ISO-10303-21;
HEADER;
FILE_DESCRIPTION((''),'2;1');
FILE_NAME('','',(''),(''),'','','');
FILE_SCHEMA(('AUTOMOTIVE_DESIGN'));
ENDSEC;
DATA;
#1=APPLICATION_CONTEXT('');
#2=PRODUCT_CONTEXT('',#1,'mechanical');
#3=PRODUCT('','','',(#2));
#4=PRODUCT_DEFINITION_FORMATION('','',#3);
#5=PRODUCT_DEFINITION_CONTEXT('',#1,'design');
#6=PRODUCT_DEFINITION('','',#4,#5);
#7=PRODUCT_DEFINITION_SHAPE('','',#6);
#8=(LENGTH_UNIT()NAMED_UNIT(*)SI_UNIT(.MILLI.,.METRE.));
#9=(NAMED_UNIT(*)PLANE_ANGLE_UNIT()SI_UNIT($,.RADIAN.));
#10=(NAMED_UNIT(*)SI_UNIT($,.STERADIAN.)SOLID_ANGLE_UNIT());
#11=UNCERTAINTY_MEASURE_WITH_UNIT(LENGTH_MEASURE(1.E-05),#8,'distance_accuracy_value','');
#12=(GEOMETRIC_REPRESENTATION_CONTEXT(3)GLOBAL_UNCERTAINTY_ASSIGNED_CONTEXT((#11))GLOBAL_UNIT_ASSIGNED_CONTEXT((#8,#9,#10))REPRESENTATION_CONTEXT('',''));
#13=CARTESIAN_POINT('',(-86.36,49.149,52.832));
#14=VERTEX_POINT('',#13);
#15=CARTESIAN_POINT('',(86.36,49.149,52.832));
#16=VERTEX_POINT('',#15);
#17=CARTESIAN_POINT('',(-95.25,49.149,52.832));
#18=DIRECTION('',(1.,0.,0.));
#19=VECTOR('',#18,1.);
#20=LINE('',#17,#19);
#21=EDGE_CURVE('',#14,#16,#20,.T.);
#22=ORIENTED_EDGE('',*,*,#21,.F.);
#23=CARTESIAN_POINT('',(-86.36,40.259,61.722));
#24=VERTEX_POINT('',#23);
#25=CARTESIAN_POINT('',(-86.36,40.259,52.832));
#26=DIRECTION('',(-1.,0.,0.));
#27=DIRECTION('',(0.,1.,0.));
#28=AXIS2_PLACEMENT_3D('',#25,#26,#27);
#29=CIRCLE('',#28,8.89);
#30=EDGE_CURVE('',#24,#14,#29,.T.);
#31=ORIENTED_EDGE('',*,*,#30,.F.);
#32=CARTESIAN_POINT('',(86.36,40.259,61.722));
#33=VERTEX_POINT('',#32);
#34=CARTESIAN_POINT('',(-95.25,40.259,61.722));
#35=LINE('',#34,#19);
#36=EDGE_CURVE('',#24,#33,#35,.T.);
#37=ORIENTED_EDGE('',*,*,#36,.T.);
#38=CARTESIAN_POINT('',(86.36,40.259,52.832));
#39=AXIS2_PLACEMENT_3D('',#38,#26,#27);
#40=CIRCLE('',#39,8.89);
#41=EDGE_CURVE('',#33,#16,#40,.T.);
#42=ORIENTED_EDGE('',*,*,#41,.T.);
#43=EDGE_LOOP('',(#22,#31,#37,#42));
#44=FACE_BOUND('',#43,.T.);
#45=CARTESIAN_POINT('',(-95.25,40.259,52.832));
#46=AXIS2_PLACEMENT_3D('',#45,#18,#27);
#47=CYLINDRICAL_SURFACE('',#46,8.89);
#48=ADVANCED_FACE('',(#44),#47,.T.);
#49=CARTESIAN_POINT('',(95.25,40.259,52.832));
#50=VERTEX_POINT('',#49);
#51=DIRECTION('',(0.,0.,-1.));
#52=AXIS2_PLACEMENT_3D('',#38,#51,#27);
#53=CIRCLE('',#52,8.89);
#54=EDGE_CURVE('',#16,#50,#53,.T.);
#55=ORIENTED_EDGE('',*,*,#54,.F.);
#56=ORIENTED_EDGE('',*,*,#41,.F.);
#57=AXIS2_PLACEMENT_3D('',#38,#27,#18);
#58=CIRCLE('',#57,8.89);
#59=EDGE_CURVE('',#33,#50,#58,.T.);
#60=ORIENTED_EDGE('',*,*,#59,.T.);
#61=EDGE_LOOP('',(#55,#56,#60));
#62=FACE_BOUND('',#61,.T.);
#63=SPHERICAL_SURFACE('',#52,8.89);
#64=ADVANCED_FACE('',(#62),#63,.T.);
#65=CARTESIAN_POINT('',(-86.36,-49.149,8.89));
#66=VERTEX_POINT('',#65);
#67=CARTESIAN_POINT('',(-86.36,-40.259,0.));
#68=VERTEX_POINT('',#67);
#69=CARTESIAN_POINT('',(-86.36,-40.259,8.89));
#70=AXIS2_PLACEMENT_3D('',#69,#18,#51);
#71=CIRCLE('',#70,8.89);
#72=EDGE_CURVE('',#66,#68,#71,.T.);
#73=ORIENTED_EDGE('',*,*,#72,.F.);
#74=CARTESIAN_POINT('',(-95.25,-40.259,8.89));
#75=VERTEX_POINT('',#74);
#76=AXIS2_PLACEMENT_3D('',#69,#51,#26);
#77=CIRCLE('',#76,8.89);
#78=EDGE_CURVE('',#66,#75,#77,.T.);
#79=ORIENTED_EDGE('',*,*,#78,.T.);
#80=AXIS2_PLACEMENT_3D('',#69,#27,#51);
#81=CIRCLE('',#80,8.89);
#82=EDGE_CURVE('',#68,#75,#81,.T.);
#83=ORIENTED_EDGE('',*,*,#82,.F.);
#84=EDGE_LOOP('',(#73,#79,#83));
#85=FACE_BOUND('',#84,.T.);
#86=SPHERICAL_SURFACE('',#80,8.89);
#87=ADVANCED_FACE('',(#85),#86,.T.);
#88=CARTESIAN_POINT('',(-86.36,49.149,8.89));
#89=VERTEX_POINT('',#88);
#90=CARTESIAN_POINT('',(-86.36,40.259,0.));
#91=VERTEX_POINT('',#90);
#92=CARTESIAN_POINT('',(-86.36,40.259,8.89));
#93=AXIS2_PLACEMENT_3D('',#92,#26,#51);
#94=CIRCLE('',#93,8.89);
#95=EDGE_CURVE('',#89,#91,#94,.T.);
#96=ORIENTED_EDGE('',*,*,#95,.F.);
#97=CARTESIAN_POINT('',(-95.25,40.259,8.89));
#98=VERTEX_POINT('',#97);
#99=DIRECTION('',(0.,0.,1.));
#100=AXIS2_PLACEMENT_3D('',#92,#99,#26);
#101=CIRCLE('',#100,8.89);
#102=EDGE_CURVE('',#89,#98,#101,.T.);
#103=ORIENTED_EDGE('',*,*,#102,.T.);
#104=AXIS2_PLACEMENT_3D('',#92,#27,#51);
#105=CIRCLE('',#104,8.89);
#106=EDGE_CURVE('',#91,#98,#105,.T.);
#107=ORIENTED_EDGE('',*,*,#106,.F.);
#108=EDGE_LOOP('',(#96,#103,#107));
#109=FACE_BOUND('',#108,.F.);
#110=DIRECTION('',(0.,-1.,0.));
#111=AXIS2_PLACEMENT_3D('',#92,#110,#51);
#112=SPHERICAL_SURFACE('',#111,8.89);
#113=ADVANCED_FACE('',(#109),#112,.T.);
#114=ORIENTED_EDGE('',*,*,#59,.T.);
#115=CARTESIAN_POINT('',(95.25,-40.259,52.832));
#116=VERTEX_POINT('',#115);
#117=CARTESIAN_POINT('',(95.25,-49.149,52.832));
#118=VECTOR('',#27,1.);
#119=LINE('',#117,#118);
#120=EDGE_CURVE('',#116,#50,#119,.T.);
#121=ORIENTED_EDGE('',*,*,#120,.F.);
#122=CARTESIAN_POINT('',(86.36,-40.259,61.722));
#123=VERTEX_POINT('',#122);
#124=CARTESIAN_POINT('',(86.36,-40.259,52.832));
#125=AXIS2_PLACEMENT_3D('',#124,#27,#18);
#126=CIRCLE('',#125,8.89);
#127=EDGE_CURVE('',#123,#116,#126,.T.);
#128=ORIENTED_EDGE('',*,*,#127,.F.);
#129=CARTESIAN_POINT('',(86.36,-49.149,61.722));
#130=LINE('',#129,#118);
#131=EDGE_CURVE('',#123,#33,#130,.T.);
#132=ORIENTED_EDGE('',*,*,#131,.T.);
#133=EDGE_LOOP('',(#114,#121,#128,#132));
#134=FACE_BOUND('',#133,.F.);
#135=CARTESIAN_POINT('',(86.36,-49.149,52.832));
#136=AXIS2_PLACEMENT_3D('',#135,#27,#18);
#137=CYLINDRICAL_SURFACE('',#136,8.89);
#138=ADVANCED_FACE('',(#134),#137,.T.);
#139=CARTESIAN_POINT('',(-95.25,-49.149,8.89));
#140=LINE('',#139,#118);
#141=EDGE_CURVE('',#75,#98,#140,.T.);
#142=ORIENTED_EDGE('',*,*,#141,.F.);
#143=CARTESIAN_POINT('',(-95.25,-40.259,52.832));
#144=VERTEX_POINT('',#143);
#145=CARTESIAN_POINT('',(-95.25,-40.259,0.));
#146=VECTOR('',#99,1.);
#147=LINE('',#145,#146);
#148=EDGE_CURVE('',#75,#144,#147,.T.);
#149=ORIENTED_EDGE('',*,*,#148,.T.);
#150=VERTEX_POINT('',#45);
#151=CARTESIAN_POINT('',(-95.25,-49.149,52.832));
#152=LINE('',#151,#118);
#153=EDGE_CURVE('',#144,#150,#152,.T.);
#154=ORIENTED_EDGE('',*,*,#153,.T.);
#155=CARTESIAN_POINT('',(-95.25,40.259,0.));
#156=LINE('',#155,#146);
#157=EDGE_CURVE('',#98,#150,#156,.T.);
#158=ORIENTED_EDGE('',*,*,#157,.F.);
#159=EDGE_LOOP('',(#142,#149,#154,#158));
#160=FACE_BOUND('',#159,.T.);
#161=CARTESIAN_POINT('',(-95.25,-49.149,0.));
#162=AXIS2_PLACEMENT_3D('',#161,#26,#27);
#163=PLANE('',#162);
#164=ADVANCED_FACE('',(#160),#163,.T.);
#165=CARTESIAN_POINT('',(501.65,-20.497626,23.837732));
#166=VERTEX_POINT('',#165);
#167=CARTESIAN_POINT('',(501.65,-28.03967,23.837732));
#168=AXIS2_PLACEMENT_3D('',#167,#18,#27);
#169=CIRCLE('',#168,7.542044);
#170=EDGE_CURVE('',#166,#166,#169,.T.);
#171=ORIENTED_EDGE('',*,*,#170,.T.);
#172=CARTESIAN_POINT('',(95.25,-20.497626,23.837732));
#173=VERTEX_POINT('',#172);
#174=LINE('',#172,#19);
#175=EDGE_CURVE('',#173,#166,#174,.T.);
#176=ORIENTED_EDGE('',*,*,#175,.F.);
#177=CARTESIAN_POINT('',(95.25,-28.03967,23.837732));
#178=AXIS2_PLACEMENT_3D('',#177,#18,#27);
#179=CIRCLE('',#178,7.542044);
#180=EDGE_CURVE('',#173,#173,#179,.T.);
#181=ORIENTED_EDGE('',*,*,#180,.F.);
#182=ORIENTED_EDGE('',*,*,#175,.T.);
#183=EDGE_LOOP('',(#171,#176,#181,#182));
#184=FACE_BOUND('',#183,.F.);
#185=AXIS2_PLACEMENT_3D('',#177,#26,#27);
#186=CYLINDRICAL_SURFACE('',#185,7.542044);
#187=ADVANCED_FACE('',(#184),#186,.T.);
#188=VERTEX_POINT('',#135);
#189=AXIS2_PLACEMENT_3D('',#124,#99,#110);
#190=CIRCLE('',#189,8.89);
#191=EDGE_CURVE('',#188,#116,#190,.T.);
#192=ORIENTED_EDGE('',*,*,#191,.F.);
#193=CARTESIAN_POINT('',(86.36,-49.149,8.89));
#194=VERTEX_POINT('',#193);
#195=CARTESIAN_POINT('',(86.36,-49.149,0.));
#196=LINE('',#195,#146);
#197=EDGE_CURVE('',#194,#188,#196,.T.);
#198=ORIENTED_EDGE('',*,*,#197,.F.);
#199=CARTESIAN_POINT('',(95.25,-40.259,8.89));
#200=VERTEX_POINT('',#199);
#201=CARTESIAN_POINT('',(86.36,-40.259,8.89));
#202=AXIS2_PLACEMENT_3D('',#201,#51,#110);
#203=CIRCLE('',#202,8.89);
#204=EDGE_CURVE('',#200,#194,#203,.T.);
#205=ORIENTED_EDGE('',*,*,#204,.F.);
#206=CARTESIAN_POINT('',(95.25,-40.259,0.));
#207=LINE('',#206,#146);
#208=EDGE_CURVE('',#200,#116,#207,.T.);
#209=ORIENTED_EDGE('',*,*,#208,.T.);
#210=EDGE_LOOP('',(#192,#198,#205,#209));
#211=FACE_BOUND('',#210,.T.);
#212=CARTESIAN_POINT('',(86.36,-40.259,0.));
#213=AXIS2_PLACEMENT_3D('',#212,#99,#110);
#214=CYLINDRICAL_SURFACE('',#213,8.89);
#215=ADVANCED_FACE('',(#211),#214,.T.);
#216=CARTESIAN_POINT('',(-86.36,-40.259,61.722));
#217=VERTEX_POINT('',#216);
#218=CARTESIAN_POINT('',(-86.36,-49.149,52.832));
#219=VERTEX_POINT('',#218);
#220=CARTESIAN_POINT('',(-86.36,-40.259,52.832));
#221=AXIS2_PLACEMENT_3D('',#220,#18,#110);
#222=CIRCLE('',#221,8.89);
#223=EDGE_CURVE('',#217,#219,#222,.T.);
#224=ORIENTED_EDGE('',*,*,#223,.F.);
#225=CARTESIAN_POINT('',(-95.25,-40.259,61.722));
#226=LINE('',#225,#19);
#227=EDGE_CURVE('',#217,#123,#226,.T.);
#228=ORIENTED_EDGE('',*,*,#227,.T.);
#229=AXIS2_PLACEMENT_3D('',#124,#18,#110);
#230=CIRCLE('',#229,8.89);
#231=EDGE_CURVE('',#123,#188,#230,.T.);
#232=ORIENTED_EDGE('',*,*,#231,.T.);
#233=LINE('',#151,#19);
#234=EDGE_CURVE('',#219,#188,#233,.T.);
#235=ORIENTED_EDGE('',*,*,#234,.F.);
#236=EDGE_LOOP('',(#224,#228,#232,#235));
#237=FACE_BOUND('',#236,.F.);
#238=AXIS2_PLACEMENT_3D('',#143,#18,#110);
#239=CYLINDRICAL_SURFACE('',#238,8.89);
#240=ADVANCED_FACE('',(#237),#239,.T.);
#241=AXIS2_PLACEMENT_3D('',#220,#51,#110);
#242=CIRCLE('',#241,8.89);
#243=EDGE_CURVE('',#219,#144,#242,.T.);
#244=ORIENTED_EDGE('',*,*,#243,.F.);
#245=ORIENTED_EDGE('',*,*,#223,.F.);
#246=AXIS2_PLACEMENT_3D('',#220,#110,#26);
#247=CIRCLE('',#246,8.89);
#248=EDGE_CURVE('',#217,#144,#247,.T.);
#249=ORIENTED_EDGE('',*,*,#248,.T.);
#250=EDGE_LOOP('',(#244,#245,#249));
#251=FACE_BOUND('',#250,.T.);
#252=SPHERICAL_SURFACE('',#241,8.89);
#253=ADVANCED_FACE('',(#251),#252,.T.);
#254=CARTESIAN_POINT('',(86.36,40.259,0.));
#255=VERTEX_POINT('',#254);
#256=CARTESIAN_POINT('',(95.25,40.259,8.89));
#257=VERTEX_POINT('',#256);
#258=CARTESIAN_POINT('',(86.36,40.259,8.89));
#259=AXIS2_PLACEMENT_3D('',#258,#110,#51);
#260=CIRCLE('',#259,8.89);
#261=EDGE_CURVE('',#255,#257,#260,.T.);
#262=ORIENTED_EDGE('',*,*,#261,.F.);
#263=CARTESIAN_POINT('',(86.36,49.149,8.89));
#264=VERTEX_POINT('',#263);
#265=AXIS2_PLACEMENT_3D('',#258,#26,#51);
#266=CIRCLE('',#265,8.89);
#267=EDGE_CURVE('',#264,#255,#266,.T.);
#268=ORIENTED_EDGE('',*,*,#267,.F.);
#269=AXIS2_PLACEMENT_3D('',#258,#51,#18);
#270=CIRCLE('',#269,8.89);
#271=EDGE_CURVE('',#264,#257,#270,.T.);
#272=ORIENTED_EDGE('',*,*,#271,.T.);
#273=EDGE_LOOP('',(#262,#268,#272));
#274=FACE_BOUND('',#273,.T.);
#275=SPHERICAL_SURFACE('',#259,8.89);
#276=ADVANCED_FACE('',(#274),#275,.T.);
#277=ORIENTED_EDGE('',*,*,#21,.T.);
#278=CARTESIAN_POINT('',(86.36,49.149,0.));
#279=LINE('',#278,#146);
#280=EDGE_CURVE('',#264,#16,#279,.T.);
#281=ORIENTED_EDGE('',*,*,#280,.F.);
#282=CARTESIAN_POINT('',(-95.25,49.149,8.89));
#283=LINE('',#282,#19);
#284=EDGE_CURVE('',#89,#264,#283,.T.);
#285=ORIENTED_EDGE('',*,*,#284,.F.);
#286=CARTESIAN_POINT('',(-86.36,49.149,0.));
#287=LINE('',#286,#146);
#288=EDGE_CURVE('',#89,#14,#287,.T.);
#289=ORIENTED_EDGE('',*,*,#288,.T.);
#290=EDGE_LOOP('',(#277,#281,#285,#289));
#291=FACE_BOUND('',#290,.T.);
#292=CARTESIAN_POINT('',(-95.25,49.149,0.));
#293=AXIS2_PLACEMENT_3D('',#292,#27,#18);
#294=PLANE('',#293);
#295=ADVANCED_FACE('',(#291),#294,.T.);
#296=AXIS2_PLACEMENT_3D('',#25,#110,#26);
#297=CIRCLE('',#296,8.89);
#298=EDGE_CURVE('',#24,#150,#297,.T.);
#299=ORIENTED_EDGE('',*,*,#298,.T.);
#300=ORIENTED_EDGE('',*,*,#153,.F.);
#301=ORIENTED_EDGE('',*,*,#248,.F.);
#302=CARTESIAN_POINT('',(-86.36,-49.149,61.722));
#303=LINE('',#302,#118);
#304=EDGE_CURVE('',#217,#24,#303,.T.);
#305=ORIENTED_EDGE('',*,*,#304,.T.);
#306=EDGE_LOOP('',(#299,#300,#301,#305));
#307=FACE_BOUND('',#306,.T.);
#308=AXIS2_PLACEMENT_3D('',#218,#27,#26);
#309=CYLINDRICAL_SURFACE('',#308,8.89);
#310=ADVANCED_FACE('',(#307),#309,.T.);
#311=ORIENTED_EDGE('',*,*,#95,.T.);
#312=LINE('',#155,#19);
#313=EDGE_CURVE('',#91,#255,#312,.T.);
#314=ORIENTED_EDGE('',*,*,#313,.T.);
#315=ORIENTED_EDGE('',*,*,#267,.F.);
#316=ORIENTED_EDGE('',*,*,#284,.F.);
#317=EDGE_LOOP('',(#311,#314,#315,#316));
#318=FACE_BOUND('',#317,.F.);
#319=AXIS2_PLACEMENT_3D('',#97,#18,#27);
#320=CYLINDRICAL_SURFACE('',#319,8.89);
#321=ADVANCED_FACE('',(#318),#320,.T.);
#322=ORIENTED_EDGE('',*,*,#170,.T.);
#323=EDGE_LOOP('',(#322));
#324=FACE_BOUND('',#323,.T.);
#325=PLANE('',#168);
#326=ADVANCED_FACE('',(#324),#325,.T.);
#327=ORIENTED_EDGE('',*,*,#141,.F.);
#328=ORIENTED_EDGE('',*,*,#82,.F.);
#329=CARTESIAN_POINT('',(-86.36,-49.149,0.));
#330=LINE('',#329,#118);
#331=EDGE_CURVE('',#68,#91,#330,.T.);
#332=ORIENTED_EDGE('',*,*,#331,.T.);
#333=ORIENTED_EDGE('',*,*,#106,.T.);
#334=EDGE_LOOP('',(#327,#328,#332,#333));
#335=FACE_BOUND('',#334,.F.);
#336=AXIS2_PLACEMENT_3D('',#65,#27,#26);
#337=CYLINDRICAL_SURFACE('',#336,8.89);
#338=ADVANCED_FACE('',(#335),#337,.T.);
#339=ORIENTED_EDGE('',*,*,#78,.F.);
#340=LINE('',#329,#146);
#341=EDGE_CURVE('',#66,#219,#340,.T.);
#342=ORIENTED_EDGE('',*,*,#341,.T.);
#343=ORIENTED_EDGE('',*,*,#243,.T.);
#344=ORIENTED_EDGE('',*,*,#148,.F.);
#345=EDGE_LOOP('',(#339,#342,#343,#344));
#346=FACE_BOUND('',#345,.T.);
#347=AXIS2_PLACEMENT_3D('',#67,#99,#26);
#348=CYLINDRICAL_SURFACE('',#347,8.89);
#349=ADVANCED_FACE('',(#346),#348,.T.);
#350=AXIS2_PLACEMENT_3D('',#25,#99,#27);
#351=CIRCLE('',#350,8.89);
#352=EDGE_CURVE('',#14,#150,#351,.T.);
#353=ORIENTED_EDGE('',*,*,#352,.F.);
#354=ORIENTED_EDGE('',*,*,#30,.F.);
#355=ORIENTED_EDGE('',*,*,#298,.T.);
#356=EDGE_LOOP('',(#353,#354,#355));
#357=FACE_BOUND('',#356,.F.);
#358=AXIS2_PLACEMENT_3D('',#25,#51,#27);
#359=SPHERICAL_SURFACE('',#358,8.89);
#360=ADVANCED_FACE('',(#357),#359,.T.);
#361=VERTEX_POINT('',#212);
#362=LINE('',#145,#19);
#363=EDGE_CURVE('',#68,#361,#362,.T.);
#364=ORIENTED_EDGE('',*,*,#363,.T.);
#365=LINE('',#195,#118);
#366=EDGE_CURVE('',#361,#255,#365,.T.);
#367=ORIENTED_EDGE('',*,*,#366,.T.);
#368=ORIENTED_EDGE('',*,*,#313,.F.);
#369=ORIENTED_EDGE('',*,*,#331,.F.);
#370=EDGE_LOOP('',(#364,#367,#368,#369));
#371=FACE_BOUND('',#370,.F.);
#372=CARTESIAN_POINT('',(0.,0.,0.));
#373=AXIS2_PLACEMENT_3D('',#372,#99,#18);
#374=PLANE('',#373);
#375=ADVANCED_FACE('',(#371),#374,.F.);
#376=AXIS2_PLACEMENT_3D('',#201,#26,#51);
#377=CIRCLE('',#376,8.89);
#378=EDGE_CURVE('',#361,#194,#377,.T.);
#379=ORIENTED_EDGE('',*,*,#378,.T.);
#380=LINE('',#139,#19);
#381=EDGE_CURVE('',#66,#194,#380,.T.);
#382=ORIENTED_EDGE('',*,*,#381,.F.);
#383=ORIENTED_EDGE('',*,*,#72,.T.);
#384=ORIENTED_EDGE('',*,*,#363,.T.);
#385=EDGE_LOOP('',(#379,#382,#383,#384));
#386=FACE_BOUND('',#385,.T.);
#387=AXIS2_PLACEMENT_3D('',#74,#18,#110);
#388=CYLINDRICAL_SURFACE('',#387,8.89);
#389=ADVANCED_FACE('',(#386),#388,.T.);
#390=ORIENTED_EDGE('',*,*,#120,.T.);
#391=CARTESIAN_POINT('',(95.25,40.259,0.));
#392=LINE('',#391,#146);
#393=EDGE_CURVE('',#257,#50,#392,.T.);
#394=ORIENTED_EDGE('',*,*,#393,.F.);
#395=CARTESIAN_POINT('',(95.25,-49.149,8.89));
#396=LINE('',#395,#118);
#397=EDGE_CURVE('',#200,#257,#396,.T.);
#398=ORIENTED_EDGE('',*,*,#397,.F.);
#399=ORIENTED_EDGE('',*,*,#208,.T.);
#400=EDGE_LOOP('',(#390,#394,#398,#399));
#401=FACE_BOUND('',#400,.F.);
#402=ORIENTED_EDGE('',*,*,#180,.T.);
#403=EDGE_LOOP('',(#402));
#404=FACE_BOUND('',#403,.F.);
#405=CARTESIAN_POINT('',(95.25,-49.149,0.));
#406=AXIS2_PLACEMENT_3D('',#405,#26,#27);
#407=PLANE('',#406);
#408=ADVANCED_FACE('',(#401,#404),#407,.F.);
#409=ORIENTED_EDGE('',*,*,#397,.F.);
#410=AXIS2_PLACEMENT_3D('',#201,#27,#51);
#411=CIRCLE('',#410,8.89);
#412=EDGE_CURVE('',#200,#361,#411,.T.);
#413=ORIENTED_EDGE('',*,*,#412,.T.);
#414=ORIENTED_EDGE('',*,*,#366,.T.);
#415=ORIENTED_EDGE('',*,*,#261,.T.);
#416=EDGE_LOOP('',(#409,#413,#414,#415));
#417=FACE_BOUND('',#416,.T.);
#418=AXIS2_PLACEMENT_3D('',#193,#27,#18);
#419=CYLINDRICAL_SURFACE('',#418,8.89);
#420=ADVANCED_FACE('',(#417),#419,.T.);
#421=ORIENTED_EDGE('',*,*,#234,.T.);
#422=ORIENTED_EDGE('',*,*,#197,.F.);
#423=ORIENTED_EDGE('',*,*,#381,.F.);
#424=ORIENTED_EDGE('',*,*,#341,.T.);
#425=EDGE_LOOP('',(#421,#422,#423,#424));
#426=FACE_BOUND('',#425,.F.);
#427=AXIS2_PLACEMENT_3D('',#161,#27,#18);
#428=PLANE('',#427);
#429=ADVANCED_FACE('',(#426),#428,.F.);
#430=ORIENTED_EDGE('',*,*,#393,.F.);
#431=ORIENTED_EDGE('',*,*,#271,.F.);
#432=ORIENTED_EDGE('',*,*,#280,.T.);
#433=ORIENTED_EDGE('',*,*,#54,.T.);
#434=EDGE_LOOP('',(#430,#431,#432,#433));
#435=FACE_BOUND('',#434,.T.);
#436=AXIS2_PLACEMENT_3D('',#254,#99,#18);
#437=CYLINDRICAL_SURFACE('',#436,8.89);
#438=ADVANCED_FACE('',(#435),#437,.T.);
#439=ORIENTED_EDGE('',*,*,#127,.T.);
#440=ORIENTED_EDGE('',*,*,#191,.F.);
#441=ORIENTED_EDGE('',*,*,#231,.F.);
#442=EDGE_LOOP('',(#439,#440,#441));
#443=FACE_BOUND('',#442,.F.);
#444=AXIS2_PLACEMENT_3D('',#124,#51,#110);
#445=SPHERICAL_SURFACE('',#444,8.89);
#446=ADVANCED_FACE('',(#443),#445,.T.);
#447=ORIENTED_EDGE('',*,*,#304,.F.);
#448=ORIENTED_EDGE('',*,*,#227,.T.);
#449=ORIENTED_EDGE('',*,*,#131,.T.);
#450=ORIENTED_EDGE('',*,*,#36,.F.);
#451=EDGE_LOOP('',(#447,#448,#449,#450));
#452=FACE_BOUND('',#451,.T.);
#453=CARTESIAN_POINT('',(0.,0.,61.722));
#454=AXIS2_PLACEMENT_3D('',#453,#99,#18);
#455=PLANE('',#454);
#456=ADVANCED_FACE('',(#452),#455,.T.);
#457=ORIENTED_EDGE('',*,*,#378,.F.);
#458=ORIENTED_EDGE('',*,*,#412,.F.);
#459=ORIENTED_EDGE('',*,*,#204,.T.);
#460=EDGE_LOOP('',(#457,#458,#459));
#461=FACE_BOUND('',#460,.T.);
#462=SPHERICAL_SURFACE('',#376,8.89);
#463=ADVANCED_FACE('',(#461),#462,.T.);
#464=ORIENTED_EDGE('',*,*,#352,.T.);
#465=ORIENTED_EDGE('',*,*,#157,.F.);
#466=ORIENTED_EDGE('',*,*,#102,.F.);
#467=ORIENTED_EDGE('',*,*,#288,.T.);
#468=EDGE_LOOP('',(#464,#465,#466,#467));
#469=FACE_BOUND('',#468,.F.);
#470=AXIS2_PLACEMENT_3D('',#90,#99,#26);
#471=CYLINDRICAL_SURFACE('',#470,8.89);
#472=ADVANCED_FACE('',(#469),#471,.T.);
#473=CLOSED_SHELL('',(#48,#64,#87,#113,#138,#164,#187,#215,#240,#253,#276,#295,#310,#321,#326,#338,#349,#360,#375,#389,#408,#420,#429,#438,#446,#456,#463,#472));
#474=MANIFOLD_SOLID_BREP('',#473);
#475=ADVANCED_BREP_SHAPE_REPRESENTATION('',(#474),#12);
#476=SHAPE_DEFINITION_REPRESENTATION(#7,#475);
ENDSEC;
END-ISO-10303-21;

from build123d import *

# Parameters (mm, degrees)
F0_W     = 190.5
F0_H     = 98.298
F1_DEPTH = 61.722
F2_R     = 8.89
F3_R     = 7.542044
F4_DEPTH = 406.4


with BuildPart() as f1:
    # F0 (on Top) → F1 (new body)
    with BuildSketch(Plane.XY):
        Rectangle(F0_W, F0_H)
    extrude(amount=F1_DEPTH)

    # F2
    f2_edges = [f1.edges().sort_by_distance(p)[0] for p in [
        (-95.25, 0, 0),
        (0, -49.149, 0),
        (95.25, 0, 0),
        (0, 49.149, 0),
        (95.25, 49.149, 30.861),
        (-95.25, 49.149, 30.861),
        (0, 49.149, 61.722),
        (-95.25, -49.149, 30.861),
        (95.25, -49.149, 30.861),
        (0, -49.149, 61.722),
        (-95.25, 0, 61.722),
        (95.25, 0, 61.722),
    ]]
    fillet(f2_edges, radius=F2_R)

    # F3 (on face) → F4 (join)
    with BuildSketch(Plane.YZ.offset(95.25)):
        with Locations((-28.03967, 23.837732)):
            Circle(F3_R)
    extrude(amount=F4_DEPTH)


solid = f1.part
